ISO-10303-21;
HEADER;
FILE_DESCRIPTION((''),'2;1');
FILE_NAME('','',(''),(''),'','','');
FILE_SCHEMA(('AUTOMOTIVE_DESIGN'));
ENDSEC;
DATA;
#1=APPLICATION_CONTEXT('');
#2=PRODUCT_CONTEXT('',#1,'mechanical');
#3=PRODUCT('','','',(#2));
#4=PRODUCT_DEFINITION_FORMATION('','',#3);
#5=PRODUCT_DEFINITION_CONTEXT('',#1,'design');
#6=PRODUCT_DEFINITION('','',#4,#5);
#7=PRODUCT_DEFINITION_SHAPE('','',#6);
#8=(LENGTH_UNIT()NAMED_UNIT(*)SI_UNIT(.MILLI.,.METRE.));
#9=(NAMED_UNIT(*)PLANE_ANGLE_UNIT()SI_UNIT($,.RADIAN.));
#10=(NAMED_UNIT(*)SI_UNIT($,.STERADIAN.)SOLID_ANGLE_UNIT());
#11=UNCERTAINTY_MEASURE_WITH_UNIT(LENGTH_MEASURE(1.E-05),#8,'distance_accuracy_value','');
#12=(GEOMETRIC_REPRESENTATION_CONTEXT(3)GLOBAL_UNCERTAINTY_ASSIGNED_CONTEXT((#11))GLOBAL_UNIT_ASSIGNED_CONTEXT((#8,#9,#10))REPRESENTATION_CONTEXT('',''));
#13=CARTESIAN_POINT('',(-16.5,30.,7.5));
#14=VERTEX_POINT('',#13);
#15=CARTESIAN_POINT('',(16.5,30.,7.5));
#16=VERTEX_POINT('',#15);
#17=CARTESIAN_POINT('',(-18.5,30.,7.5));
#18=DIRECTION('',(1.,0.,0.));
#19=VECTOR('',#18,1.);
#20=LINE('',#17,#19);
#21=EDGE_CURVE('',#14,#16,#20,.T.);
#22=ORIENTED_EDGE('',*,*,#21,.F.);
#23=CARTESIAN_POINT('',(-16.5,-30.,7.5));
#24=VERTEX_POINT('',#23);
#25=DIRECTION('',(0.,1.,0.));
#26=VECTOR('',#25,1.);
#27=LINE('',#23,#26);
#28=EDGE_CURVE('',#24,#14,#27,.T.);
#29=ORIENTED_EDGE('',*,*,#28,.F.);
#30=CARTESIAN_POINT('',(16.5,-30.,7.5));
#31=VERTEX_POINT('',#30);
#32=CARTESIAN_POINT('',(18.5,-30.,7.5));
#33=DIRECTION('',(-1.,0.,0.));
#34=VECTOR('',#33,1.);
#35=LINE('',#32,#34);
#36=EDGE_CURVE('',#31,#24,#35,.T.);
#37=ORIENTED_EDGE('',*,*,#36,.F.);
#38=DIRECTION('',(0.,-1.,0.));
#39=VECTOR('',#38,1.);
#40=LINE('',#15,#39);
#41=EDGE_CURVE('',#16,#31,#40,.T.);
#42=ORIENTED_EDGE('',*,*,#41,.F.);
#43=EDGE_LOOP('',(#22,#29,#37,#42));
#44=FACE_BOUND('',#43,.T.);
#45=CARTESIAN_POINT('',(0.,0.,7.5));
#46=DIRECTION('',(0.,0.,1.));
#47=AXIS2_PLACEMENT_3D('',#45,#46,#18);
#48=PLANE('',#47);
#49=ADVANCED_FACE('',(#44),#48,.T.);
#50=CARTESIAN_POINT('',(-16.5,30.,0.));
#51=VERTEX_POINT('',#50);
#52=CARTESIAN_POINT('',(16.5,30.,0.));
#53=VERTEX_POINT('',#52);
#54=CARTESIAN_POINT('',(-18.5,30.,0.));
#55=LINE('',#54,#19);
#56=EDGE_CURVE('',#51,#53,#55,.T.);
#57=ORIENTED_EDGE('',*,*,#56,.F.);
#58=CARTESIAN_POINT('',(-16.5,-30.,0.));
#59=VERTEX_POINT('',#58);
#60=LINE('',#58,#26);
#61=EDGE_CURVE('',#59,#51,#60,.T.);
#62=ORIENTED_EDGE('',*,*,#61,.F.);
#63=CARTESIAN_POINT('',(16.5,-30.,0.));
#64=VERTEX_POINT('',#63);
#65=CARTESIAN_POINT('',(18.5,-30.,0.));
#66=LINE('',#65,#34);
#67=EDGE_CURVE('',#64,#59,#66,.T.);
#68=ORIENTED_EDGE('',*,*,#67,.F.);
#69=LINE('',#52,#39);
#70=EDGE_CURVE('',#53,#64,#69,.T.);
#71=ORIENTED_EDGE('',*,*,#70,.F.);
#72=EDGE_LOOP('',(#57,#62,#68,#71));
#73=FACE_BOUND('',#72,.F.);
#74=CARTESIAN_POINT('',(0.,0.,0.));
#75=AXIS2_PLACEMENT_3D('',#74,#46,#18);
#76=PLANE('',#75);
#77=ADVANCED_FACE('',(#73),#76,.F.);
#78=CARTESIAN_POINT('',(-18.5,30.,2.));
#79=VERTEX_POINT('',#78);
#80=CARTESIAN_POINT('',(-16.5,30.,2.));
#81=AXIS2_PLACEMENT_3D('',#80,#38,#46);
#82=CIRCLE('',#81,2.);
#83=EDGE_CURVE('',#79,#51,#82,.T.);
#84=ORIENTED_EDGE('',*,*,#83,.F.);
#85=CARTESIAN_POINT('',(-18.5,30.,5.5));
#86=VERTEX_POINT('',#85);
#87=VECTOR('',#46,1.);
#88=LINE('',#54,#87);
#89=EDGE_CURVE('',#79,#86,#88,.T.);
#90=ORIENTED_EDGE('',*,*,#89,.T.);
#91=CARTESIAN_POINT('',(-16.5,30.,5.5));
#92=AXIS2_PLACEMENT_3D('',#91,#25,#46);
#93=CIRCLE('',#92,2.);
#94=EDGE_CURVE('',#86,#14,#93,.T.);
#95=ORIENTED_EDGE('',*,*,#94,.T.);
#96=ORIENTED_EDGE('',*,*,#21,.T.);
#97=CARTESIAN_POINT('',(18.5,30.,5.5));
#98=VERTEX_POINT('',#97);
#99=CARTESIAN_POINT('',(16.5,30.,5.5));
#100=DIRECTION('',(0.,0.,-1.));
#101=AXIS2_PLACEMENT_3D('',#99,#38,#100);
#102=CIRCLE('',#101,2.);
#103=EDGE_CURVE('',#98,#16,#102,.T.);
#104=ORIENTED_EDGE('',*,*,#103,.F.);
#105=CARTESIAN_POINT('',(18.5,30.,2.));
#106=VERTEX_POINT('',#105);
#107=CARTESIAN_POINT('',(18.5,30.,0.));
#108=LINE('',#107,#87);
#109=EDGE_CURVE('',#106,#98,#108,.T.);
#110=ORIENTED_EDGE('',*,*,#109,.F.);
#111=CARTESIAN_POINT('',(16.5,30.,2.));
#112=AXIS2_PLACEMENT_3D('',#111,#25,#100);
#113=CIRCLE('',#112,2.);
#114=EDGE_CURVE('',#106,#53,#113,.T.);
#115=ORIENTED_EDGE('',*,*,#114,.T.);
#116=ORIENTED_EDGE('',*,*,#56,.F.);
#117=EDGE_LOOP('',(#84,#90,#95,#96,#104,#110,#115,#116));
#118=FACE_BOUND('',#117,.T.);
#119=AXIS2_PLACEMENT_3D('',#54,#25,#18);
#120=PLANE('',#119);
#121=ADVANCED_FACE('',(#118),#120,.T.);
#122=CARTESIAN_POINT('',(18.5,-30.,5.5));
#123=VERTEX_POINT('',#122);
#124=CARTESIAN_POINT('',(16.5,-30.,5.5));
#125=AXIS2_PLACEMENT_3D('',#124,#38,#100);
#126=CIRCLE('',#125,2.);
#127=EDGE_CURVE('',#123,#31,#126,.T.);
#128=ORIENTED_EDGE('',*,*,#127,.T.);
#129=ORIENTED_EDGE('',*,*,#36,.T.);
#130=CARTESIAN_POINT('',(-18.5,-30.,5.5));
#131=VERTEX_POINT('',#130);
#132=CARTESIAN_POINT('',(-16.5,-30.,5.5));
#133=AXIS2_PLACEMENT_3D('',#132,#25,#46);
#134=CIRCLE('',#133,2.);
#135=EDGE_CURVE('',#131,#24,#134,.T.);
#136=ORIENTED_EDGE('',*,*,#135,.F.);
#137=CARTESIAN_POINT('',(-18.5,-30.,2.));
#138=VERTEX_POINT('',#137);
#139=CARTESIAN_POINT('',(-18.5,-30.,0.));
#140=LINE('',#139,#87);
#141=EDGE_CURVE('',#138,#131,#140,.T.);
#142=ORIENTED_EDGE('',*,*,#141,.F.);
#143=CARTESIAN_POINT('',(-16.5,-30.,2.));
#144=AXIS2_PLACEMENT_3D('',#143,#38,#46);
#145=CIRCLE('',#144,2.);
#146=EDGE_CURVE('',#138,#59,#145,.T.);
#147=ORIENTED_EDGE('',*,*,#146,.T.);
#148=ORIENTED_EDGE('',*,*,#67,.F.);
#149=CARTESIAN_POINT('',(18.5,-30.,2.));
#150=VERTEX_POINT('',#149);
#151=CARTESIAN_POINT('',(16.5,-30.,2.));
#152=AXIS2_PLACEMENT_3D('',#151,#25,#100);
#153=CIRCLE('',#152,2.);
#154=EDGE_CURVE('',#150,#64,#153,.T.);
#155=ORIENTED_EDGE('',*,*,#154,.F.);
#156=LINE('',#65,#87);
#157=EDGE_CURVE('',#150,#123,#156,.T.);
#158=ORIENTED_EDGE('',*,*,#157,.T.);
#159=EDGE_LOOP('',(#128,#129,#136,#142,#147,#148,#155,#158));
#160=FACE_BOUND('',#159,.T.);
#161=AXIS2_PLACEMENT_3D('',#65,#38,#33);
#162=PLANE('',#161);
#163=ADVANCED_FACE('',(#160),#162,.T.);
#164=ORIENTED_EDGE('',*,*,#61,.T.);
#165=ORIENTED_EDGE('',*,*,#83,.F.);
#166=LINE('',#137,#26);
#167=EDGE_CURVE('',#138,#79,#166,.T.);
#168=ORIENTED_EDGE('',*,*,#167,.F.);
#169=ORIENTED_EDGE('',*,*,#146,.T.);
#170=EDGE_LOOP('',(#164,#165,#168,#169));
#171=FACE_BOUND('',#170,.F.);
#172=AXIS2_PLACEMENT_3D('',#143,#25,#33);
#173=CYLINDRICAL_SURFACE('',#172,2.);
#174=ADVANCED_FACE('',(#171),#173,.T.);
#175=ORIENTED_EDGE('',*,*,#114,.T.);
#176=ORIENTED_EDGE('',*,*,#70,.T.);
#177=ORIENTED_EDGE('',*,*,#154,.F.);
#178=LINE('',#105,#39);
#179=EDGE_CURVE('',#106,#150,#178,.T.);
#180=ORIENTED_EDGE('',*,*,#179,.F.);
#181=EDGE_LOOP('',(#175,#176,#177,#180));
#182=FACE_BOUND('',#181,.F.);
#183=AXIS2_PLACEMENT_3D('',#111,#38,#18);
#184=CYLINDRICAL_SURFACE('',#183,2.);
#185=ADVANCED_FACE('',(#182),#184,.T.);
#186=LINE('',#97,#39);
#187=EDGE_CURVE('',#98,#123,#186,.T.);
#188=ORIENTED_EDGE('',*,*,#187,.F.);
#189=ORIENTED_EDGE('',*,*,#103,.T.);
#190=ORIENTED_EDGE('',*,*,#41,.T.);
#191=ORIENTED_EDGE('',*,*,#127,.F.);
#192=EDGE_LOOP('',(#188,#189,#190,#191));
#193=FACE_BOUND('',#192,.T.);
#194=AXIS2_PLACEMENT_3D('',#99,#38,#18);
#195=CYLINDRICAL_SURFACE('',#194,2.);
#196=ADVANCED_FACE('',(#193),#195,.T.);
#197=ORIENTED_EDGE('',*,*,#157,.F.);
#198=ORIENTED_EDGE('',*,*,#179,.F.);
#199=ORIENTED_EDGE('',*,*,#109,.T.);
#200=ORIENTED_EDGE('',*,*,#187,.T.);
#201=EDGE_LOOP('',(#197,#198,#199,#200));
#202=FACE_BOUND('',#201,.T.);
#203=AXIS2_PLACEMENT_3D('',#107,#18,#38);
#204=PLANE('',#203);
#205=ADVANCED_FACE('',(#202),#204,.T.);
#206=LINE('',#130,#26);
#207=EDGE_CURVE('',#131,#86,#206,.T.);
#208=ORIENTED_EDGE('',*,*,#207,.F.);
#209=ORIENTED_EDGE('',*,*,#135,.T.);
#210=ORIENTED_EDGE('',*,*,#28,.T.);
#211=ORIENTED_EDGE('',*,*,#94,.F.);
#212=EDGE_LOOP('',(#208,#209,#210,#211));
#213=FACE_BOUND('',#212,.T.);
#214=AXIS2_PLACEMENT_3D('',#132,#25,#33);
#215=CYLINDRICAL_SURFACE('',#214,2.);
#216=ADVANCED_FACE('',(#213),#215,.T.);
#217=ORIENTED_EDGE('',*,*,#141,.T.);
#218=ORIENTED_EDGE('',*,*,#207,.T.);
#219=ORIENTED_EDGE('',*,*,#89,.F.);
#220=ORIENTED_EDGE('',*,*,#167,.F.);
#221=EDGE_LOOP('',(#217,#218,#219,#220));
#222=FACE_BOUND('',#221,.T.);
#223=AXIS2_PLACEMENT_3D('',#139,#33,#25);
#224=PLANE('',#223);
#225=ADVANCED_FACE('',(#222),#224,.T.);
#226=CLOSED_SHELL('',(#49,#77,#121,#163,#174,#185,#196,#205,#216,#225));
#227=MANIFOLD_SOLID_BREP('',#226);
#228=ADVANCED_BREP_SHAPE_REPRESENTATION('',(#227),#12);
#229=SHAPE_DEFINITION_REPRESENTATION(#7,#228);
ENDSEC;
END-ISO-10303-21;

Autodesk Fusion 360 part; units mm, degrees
sketch "Sketch1" plane through (0, 0, 0) normal (0, 0, 1) x (1, 0, 0)
  line L0 (18.5, -30) -> (-18.5, -30)
  line L1 (-18.5, -30) -> (-18.5, 30)
  line L2 (-18.5, 30) -> (18.5, 30)
  line L3 (18.5, 30) -> (18.5, -30)
  line L4 (18.5, -30) -> (-18.5, 30) construction
  line L5 (-18.5, -30) -> (18.5, 30) construction
  dimension "d1" = 60
  dimension "d2" = 37
extrude "Extrude1" add sketch "Sketch1" along normal blind 7.5
fillet "Fillet1" radius 2 4 edges at (18.5, 0, 7.5) (18.5, 0, 0) (-18.5, 0, 7.5) (-18.5, 0, 0)
